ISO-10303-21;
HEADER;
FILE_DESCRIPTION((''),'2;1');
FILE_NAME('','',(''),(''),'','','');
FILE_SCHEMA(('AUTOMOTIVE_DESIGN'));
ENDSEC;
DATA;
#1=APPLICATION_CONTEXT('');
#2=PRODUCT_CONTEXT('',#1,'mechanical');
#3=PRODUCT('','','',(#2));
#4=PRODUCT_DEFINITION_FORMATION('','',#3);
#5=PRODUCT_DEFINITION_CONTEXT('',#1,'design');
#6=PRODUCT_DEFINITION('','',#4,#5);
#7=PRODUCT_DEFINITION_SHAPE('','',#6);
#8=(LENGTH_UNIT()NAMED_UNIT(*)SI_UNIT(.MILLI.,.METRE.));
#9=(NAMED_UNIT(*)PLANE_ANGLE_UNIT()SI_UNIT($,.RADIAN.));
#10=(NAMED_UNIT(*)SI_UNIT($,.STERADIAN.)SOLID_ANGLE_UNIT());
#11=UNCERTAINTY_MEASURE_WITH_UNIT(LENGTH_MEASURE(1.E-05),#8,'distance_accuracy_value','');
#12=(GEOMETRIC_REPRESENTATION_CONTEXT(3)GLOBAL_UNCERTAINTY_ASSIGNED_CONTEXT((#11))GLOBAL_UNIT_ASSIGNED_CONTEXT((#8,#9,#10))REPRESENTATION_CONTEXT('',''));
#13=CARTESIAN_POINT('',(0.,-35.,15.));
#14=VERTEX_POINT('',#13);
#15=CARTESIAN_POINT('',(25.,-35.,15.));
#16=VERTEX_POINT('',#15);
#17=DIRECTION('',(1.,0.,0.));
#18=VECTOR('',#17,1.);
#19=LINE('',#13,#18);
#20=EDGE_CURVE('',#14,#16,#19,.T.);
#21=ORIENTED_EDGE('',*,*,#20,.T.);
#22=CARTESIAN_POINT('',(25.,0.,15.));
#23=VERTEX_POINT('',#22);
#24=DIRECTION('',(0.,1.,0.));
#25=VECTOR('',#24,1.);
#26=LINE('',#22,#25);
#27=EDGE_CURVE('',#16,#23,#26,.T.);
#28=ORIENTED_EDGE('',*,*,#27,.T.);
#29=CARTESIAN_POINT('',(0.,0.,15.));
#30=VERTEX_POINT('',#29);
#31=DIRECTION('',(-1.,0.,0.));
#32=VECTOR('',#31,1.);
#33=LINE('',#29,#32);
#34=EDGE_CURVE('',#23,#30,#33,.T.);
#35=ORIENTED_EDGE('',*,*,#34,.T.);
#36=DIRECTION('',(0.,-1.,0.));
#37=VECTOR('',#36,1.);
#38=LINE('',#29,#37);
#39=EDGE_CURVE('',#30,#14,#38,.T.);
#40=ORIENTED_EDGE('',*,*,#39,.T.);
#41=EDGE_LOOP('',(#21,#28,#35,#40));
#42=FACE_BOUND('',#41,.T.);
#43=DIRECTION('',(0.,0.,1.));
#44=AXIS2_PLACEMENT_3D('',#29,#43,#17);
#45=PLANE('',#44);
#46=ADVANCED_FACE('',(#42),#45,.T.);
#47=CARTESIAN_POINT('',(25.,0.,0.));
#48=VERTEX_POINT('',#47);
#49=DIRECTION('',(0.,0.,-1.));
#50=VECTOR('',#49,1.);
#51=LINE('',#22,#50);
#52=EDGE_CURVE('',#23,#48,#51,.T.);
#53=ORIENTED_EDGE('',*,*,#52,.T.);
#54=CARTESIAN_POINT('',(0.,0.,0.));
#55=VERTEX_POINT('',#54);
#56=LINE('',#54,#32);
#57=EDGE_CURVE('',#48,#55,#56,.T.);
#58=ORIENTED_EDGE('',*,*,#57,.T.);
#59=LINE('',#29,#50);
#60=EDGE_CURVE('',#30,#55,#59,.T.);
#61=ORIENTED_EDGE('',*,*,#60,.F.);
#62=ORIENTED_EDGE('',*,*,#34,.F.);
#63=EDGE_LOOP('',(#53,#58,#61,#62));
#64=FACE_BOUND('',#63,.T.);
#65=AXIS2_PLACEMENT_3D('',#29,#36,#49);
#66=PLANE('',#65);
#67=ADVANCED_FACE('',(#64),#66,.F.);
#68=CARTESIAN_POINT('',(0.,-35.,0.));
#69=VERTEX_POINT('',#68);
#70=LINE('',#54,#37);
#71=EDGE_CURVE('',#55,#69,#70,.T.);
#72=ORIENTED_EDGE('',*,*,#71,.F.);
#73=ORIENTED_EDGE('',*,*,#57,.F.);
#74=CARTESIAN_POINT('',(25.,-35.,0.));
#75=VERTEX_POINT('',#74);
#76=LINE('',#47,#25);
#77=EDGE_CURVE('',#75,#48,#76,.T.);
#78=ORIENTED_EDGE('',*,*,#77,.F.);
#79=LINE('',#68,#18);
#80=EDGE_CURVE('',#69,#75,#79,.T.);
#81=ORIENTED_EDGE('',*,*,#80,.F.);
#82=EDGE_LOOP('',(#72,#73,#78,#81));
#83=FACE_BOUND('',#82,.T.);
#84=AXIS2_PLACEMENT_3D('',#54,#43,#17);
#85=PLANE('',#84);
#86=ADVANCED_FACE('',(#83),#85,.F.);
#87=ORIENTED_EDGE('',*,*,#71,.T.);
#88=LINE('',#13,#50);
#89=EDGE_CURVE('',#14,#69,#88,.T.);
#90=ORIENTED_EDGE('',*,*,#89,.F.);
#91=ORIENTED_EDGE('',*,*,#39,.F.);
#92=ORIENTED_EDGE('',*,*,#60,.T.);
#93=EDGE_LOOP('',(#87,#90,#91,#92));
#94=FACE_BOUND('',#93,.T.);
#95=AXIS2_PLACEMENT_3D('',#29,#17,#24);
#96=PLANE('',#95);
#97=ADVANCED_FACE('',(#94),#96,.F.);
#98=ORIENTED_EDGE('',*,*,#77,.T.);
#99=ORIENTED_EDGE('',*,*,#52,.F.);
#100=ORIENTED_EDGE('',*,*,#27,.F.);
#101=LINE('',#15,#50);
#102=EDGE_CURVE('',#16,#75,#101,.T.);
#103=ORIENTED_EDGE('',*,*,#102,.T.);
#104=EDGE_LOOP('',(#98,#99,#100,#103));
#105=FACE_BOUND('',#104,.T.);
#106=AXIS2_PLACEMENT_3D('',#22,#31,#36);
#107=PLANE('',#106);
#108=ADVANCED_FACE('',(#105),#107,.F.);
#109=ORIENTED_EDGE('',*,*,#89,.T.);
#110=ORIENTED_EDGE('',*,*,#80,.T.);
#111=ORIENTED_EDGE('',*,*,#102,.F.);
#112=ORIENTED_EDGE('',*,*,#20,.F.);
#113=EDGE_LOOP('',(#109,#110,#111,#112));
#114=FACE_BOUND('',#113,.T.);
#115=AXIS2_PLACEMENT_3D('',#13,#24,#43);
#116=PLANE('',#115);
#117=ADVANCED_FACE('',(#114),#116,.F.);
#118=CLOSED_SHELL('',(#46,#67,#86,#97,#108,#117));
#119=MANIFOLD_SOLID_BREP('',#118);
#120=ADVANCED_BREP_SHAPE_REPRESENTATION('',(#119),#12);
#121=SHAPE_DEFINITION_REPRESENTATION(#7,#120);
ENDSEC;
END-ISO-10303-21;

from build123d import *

# Parameters (mm, degrees)
ESQUISSE1_W        = 25
ESQUISSE1_H        = 35
BOSS_EXTRU_1_DEPTH = 15


with BuildPart() as part:
    # Esquisse1 → Boss.-Extru.1 (new body)
    with BuildSketch(Plane.XY):
        with Locations((12.5, -17.5)):
            Rectangle(ESQUISSE1_W, ESQUISSE1_H)
    extrude(amount=BOSS_EXTRU_1_DEPTH)


solid = part.part
